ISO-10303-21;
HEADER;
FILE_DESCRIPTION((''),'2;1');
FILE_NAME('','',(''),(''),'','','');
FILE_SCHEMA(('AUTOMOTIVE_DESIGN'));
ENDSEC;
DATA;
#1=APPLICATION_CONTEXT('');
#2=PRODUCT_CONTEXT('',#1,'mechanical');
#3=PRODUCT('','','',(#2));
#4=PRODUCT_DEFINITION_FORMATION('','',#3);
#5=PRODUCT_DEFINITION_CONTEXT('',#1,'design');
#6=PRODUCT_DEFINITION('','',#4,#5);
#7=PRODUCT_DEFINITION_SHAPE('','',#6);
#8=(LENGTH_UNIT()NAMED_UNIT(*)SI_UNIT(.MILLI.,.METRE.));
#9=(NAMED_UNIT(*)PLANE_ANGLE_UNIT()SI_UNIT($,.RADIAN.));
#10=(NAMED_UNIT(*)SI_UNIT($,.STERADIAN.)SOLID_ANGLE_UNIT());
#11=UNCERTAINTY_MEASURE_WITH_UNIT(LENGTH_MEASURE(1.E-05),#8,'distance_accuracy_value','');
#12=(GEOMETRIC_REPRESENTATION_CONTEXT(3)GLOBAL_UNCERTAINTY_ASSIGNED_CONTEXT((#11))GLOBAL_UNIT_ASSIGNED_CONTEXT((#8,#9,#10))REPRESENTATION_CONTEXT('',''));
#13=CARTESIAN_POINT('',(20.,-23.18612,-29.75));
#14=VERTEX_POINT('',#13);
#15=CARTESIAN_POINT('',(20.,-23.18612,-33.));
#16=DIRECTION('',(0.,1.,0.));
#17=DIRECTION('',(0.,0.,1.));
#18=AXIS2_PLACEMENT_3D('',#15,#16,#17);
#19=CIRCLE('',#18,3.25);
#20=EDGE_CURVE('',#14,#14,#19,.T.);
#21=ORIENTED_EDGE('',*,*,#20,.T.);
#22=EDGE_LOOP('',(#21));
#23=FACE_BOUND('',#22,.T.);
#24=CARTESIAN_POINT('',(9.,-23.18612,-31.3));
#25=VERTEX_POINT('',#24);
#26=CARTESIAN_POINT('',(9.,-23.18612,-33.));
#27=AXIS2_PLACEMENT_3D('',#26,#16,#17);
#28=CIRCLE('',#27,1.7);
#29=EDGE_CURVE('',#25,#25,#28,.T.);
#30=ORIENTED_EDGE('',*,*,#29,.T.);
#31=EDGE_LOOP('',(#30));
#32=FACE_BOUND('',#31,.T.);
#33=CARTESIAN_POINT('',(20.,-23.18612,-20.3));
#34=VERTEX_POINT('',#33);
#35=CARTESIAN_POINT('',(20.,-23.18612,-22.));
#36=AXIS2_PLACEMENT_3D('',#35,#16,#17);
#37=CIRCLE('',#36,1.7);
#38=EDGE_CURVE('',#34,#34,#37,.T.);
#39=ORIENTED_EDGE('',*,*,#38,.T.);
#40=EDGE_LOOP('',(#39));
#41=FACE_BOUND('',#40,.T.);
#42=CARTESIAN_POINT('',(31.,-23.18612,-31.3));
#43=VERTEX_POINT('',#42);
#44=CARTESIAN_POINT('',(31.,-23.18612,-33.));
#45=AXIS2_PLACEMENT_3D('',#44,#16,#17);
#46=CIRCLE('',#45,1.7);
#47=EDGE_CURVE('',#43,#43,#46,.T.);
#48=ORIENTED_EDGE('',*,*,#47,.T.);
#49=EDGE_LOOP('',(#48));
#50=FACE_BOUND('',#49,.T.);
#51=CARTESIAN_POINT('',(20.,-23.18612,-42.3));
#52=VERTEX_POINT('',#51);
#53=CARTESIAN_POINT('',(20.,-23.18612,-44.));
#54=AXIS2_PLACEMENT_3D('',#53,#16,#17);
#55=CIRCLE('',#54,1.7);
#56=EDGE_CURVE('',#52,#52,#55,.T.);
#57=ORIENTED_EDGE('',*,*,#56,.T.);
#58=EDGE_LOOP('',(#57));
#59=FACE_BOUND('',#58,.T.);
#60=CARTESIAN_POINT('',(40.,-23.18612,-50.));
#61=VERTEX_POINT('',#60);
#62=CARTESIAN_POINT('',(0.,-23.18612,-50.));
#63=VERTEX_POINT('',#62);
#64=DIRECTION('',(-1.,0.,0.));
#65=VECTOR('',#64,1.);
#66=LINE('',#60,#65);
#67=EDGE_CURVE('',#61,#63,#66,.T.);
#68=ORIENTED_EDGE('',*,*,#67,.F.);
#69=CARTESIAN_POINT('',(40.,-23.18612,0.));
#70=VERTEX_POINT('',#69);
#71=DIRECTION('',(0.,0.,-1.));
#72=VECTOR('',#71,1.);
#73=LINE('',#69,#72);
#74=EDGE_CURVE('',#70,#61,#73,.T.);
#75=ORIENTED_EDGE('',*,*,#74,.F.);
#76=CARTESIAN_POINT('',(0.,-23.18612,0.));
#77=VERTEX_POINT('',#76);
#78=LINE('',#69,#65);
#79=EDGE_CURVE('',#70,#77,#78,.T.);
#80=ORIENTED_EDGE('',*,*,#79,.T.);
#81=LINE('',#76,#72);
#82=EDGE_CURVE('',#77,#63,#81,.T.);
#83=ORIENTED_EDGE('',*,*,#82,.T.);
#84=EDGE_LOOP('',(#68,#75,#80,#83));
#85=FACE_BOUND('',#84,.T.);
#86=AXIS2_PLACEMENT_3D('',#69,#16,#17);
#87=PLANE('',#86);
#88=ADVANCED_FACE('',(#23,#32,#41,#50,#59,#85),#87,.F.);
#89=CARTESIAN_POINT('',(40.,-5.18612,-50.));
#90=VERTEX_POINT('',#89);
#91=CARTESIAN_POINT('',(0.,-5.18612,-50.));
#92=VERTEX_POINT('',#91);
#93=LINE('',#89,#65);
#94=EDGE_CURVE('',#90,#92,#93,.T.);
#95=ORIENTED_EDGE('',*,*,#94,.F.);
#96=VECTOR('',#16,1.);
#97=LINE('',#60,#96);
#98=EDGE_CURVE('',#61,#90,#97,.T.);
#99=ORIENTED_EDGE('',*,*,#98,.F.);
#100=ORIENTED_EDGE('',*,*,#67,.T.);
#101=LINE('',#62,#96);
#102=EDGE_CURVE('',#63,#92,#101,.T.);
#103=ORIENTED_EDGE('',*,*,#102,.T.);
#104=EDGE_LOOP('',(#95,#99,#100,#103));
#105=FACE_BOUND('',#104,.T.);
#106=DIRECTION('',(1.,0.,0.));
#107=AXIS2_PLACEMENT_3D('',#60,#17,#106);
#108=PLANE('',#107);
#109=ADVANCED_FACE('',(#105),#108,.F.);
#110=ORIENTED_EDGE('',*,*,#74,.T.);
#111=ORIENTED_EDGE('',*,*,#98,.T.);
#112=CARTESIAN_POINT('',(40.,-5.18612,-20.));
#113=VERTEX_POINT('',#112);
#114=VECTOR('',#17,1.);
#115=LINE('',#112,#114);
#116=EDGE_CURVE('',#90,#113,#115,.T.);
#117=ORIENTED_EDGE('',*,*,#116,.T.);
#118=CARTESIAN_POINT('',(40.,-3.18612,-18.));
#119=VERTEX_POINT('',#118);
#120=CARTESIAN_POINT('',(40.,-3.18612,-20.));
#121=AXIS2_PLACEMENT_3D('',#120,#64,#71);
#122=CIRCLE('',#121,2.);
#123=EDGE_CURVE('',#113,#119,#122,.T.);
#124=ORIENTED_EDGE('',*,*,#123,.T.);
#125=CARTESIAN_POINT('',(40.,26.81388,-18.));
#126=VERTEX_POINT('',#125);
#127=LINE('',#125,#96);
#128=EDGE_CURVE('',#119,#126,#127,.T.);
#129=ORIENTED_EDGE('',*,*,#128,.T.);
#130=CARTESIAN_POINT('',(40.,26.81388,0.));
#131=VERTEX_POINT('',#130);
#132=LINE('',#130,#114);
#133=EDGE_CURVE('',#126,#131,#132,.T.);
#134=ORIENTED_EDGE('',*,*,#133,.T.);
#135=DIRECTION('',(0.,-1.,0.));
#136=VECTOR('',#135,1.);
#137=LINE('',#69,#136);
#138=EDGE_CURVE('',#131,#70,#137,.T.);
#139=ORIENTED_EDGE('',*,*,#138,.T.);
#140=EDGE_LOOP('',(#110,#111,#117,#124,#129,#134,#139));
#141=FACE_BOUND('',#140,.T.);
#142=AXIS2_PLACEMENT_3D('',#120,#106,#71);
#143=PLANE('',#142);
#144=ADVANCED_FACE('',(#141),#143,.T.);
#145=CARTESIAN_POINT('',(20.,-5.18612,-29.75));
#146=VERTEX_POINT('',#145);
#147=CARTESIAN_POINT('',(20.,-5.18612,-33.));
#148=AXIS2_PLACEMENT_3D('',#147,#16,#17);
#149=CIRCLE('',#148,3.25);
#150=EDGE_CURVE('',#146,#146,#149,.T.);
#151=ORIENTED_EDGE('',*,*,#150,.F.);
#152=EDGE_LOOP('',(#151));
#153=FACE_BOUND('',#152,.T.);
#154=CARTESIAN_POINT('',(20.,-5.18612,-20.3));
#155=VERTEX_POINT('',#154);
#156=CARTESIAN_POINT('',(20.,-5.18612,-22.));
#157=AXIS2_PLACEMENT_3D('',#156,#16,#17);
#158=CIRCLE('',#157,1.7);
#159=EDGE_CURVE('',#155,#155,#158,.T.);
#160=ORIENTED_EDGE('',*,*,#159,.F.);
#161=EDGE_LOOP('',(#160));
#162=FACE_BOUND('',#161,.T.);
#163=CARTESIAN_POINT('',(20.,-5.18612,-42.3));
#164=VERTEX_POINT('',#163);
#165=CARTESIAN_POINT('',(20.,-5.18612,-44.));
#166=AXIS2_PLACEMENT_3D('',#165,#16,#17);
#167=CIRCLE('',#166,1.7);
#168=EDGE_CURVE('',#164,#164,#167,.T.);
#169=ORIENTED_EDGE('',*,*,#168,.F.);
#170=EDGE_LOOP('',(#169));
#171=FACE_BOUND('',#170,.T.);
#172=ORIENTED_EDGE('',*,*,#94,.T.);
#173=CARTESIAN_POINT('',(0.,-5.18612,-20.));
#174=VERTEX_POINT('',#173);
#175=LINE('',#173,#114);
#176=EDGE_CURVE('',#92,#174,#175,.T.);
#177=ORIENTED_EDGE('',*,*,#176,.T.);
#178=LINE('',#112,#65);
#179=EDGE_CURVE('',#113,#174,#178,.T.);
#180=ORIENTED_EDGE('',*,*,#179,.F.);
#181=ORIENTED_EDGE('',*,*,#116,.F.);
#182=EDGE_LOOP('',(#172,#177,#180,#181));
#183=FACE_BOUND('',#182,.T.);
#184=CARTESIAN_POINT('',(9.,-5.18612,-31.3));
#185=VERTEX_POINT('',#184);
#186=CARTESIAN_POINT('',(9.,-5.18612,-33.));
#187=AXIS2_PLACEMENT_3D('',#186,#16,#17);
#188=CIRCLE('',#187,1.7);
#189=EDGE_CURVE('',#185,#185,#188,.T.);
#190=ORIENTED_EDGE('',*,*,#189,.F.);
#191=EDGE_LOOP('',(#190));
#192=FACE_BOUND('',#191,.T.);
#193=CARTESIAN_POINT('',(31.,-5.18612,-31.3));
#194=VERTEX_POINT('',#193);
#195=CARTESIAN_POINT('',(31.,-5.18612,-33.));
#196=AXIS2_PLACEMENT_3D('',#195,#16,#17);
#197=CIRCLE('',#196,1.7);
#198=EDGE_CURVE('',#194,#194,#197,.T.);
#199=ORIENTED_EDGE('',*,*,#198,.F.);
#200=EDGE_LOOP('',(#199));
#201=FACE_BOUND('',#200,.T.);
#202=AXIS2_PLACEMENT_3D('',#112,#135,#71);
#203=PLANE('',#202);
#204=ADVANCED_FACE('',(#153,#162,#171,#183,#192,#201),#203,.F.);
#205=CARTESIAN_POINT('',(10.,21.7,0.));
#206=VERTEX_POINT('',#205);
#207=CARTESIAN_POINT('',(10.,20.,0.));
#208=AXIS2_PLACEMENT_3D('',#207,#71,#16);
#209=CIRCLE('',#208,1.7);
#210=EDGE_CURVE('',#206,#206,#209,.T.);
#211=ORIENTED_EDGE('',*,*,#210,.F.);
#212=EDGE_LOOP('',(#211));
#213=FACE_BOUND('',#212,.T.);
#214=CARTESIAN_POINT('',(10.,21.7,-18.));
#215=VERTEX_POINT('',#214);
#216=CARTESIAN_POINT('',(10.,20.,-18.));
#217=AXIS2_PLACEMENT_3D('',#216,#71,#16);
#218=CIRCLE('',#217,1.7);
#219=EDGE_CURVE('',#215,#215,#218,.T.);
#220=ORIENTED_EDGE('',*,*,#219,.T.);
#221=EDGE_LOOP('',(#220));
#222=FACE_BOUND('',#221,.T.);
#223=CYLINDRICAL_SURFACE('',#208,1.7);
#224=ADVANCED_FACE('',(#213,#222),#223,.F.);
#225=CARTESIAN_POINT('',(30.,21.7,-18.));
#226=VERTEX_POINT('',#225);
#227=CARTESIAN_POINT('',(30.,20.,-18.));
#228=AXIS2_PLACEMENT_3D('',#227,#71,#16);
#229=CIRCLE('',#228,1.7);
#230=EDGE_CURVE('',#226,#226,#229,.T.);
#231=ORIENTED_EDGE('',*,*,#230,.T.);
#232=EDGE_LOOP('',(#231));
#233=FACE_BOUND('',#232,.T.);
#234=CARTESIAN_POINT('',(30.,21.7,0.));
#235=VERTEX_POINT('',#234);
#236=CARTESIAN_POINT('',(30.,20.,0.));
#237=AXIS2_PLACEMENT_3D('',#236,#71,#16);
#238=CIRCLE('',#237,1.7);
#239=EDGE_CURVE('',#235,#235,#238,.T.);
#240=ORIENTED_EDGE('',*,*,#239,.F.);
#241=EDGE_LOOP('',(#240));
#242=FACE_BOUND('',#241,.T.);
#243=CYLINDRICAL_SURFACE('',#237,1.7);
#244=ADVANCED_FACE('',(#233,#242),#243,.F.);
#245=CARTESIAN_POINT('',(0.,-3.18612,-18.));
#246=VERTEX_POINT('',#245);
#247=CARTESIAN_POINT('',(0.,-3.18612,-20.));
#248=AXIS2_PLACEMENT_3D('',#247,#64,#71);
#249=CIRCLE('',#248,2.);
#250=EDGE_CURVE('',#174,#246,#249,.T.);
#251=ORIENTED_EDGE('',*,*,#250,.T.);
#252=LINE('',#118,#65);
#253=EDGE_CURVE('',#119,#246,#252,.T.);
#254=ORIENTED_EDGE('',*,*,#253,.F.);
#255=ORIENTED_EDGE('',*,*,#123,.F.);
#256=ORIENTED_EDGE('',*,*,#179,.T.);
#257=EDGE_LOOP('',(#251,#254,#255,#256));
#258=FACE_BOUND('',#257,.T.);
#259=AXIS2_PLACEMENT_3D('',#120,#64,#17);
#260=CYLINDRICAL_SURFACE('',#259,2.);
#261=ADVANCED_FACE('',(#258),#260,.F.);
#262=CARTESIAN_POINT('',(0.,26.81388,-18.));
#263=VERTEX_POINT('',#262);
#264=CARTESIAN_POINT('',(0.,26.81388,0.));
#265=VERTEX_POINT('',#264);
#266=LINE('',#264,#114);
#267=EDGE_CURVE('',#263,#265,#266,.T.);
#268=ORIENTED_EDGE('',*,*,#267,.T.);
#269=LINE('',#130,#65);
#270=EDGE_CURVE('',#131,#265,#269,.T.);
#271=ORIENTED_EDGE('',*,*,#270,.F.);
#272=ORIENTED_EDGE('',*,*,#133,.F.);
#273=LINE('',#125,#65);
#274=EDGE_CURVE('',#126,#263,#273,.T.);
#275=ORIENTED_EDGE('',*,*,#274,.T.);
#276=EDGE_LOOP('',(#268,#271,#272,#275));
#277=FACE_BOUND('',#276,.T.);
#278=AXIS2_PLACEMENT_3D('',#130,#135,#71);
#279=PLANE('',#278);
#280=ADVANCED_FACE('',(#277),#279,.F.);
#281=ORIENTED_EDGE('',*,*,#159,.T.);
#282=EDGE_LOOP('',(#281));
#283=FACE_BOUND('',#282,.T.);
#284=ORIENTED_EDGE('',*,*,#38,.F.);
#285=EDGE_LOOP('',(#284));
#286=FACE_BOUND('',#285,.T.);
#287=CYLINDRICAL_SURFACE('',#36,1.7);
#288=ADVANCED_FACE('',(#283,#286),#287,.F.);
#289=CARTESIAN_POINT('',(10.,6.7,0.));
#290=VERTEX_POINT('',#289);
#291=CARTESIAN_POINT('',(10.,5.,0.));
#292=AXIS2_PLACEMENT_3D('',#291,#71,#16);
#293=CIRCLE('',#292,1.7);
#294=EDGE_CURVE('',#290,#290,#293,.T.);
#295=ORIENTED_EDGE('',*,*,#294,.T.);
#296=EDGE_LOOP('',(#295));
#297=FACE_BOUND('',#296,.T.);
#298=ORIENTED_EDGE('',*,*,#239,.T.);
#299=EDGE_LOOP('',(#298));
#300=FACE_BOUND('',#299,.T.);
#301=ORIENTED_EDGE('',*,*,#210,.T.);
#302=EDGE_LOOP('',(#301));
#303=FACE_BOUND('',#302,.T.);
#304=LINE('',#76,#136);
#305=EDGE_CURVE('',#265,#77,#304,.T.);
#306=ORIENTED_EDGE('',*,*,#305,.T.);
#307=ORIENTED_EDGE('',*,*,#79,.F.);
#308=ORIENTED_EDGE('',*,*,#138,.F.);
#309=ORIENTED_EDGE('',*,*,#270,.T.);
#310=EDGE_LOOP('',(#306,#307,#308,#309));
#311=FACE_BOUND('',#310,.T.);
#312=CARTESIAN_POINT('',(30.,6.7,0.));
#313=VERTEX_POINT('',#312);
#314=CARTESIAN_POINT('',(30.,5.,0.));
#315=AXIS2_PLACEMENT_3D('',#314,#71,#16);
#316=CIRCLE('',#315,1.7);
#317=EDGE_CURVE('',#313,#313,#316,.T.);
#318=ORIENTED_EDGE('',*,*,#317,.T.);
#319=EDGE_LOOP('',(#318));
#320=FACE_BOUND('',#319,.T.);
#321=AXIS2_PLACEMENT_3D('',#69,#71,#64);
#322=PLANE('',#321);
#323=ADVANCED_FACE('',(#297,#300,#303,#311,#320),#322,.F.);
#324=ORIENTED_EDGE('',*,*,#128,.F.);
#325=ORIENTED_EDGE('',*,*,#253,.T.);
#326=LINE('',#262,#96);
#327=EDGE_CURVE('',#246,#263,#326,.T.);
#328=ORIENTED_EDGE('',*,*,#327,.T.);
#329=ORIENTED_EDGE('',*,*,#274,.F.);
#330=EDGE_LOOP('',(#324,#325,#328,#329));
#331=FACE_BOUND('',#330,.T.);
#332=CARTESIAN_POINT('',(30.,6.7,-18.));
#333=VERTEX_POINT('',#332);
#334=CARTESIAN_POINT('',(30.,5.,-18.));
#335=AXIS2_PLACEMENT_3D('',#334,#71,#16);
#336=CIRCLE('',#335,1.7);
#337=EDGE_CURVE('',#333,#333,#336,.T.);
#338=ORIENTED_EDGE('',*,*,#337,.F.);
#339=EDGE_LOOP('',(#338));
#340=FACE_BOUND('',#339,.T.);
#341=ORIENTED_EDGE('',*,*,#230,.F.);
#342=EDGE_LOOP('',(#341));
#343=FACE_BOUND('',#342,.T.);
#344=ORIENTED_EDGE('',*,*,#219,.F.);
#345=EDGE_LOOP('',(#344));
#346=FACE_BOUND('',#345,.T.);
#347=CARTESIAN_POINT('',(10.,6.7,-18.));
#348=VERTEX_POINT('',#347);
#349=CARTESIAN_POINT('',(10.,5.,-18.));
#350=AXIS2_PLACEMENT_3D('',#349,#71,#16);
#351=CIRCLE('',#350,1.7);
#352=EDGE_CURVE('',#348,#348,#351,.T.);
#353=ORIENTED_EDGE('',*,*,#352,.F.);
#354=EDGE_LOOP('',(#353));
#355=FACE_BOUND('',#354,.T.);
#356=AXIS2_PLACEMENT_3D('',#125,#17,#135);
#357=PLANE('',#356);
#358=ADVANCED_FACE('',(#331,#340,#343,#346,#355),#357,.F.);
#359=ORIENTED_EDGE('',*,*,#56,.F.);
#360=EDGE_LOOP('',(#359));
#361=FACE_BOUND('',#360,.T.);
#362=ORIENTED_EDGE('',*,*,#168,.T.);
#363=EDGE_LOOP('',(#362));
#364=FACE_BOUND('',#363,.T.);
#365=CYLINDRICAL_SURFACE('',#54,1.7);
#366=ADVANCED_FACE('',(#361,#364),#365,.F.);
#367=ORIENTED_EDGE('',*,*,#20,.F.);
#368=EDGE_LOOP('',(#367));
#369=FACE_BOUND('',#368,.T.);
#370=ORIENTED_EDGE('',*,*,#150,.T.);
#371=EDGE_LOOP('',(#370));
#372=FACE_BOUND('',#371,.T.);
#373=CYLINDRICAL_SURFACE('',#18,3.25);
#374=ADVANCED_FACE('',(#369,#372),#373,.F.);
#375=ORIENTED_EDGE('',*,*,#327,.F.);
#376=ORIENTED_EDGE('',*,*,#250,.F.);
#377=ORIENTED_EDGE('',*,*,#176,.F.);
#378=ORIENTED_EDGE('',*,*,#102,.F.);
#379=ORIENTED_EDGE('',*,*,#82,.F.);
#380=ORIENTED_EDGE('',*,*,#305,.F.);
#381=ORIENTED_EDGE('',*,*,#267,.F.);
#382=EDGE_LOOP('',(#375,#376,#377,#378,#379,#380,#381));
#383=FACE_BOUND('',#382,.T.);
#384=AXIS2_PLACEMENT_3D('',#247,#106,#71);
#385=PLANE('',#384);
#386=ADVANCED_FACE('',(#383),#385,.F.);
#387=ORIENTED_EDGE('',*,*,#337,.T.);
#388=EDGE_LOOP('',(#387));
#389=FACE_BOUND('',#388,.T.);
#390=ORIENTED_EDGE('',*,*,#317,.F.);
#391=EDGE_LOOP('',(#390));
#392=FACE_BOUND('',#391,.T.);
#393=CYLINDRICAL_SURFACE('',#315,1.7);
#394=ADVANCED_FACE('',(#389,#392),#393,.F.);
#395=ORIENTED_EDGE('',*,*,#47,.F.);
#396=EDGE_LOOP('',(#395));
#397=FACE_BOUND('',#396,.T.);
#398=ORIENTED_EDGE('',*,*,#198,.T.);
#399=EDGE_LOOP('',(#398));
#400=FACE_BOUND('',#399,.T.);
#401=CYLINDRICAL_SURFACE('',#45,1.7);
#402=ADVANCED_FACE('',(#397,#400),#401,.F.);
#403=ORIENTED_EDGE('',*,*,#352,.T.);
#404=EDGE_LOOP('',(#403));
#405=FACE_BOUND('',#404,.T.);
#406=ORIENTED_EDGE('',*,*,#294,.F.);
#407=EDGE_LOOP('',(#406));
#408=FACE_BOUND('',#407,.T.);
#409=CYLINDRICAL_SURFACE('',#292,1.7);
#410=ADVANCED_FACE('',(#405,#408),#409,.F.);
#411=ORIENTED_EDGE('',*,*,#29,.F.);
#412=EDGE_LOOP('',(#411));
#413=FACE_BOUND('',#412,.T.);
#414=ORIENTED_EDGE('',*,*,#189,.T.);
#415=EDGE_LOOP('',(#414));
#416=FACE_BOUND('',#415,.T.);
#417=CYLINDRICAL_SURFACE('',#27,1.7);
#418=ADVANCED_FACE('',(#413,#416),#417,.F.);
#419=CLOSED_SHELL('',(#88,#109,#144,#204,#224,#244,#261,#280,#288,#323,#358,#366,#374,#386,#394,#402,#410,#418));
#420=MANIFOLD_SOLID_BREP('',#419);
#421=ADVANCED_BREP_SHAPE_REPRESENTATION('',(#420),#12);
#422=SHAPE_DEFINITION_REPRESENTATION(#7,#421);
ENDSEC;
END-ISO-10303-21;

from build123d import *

# Parameters (mm, degrees)
BOSS_EXTRUDE2_DEPTH = 40
SKETCH6_R           = 3.25
SKETCH6_R_2         = 1.7
CUT_EXTRUDE1_DEPTH  = 72.582120673
SKETCH7_R           = 1.7
CUT_EXTRUDE2_DEPTH  = 58.818545186


with BuildPart() as part:
    # Sketch3 → Boss-Extrude2 (new body)
    with BuildSketch(Plane(origin=(0, 0, 0), x_dir=(0, 0, -1), z_dir=(1, 0, 0))):
        with BuildLine():
            Line((0, -23.186119874), (50, -23.186119874))
            Line((50, -23.186119874), (50, -5.186119874))
            Line((50, -5.186119874), (20, -5.186119874))
            ThreePointArc((20, -5.186119874), (18.585786438, -4.600333436), (18, -3.186119874))
            Line((18, -3.186119874), (18, 26.813880126))
            Line((18, 26.813880126), (0, 26.813880126))
            Line((0, 26.813880126), (0, -23.186119874))
        make_face()
    extrude(amount=BOSS_EXTRUDE2_DEPTH)

    # Sketch6 → Cut-Extrude1 (cut, through all)
    with BuildSketch(Plane(origin=(0, -5.186119874, 0), x_dir=(1, 0, 0), z_dir=(0, 1, 0))):
        with Locations(Location((20, 33, 0), (0, 0, 270))):
            Circle(SKETCH6_R)
        with Locations(Location((9, 33, 0), (0, 0, 270))):
            Circle(SKETCH6_R_2)
        with Locations(Location((20, 44, 0), (0, 0, 270))):
            Circle(SKETCH6_R_2)
        with Locations(Location((31, 33, 0), (0, 0, 270))):
            Circle(SKETCH6_R_2)
        with Locations(Location((20, 22, 0), (0, 0, 270))):
            Circle(SKETCH6_R_2)
    extrude(amount=-CUT_EXTRUDE1_DEPTH, mode=Mode.SUBTRACT)

    # Sketch7 → Cut-Extrude2 (cut, through all)
    with BuildSketch(Plane(origin=(0, 0, -18), x_dir=(-1, 0, 0), z_dir=(0, 0, -1))):
        with Locations(Location((-30, 20, 0), (0, 0, 90))):
            Circle(SKETCH7_R)
        with Locations(Location((-10, 20, 0), (0, 0, 90))):
            Circle(SKETCH7_R)
        with Locations(Location((-30, 5, 0), (0, 0, 90))):
            Circle(SKETCH7_R)
        with Locations(Location((-10, 5, 0), (0, 0, 90))):
            Circle(SKETCH7_R)
    extrude(amount=-CUT_EXTRUDE2_DEPTH, mode=Mode.SUBTRACT)


solid = part.part
